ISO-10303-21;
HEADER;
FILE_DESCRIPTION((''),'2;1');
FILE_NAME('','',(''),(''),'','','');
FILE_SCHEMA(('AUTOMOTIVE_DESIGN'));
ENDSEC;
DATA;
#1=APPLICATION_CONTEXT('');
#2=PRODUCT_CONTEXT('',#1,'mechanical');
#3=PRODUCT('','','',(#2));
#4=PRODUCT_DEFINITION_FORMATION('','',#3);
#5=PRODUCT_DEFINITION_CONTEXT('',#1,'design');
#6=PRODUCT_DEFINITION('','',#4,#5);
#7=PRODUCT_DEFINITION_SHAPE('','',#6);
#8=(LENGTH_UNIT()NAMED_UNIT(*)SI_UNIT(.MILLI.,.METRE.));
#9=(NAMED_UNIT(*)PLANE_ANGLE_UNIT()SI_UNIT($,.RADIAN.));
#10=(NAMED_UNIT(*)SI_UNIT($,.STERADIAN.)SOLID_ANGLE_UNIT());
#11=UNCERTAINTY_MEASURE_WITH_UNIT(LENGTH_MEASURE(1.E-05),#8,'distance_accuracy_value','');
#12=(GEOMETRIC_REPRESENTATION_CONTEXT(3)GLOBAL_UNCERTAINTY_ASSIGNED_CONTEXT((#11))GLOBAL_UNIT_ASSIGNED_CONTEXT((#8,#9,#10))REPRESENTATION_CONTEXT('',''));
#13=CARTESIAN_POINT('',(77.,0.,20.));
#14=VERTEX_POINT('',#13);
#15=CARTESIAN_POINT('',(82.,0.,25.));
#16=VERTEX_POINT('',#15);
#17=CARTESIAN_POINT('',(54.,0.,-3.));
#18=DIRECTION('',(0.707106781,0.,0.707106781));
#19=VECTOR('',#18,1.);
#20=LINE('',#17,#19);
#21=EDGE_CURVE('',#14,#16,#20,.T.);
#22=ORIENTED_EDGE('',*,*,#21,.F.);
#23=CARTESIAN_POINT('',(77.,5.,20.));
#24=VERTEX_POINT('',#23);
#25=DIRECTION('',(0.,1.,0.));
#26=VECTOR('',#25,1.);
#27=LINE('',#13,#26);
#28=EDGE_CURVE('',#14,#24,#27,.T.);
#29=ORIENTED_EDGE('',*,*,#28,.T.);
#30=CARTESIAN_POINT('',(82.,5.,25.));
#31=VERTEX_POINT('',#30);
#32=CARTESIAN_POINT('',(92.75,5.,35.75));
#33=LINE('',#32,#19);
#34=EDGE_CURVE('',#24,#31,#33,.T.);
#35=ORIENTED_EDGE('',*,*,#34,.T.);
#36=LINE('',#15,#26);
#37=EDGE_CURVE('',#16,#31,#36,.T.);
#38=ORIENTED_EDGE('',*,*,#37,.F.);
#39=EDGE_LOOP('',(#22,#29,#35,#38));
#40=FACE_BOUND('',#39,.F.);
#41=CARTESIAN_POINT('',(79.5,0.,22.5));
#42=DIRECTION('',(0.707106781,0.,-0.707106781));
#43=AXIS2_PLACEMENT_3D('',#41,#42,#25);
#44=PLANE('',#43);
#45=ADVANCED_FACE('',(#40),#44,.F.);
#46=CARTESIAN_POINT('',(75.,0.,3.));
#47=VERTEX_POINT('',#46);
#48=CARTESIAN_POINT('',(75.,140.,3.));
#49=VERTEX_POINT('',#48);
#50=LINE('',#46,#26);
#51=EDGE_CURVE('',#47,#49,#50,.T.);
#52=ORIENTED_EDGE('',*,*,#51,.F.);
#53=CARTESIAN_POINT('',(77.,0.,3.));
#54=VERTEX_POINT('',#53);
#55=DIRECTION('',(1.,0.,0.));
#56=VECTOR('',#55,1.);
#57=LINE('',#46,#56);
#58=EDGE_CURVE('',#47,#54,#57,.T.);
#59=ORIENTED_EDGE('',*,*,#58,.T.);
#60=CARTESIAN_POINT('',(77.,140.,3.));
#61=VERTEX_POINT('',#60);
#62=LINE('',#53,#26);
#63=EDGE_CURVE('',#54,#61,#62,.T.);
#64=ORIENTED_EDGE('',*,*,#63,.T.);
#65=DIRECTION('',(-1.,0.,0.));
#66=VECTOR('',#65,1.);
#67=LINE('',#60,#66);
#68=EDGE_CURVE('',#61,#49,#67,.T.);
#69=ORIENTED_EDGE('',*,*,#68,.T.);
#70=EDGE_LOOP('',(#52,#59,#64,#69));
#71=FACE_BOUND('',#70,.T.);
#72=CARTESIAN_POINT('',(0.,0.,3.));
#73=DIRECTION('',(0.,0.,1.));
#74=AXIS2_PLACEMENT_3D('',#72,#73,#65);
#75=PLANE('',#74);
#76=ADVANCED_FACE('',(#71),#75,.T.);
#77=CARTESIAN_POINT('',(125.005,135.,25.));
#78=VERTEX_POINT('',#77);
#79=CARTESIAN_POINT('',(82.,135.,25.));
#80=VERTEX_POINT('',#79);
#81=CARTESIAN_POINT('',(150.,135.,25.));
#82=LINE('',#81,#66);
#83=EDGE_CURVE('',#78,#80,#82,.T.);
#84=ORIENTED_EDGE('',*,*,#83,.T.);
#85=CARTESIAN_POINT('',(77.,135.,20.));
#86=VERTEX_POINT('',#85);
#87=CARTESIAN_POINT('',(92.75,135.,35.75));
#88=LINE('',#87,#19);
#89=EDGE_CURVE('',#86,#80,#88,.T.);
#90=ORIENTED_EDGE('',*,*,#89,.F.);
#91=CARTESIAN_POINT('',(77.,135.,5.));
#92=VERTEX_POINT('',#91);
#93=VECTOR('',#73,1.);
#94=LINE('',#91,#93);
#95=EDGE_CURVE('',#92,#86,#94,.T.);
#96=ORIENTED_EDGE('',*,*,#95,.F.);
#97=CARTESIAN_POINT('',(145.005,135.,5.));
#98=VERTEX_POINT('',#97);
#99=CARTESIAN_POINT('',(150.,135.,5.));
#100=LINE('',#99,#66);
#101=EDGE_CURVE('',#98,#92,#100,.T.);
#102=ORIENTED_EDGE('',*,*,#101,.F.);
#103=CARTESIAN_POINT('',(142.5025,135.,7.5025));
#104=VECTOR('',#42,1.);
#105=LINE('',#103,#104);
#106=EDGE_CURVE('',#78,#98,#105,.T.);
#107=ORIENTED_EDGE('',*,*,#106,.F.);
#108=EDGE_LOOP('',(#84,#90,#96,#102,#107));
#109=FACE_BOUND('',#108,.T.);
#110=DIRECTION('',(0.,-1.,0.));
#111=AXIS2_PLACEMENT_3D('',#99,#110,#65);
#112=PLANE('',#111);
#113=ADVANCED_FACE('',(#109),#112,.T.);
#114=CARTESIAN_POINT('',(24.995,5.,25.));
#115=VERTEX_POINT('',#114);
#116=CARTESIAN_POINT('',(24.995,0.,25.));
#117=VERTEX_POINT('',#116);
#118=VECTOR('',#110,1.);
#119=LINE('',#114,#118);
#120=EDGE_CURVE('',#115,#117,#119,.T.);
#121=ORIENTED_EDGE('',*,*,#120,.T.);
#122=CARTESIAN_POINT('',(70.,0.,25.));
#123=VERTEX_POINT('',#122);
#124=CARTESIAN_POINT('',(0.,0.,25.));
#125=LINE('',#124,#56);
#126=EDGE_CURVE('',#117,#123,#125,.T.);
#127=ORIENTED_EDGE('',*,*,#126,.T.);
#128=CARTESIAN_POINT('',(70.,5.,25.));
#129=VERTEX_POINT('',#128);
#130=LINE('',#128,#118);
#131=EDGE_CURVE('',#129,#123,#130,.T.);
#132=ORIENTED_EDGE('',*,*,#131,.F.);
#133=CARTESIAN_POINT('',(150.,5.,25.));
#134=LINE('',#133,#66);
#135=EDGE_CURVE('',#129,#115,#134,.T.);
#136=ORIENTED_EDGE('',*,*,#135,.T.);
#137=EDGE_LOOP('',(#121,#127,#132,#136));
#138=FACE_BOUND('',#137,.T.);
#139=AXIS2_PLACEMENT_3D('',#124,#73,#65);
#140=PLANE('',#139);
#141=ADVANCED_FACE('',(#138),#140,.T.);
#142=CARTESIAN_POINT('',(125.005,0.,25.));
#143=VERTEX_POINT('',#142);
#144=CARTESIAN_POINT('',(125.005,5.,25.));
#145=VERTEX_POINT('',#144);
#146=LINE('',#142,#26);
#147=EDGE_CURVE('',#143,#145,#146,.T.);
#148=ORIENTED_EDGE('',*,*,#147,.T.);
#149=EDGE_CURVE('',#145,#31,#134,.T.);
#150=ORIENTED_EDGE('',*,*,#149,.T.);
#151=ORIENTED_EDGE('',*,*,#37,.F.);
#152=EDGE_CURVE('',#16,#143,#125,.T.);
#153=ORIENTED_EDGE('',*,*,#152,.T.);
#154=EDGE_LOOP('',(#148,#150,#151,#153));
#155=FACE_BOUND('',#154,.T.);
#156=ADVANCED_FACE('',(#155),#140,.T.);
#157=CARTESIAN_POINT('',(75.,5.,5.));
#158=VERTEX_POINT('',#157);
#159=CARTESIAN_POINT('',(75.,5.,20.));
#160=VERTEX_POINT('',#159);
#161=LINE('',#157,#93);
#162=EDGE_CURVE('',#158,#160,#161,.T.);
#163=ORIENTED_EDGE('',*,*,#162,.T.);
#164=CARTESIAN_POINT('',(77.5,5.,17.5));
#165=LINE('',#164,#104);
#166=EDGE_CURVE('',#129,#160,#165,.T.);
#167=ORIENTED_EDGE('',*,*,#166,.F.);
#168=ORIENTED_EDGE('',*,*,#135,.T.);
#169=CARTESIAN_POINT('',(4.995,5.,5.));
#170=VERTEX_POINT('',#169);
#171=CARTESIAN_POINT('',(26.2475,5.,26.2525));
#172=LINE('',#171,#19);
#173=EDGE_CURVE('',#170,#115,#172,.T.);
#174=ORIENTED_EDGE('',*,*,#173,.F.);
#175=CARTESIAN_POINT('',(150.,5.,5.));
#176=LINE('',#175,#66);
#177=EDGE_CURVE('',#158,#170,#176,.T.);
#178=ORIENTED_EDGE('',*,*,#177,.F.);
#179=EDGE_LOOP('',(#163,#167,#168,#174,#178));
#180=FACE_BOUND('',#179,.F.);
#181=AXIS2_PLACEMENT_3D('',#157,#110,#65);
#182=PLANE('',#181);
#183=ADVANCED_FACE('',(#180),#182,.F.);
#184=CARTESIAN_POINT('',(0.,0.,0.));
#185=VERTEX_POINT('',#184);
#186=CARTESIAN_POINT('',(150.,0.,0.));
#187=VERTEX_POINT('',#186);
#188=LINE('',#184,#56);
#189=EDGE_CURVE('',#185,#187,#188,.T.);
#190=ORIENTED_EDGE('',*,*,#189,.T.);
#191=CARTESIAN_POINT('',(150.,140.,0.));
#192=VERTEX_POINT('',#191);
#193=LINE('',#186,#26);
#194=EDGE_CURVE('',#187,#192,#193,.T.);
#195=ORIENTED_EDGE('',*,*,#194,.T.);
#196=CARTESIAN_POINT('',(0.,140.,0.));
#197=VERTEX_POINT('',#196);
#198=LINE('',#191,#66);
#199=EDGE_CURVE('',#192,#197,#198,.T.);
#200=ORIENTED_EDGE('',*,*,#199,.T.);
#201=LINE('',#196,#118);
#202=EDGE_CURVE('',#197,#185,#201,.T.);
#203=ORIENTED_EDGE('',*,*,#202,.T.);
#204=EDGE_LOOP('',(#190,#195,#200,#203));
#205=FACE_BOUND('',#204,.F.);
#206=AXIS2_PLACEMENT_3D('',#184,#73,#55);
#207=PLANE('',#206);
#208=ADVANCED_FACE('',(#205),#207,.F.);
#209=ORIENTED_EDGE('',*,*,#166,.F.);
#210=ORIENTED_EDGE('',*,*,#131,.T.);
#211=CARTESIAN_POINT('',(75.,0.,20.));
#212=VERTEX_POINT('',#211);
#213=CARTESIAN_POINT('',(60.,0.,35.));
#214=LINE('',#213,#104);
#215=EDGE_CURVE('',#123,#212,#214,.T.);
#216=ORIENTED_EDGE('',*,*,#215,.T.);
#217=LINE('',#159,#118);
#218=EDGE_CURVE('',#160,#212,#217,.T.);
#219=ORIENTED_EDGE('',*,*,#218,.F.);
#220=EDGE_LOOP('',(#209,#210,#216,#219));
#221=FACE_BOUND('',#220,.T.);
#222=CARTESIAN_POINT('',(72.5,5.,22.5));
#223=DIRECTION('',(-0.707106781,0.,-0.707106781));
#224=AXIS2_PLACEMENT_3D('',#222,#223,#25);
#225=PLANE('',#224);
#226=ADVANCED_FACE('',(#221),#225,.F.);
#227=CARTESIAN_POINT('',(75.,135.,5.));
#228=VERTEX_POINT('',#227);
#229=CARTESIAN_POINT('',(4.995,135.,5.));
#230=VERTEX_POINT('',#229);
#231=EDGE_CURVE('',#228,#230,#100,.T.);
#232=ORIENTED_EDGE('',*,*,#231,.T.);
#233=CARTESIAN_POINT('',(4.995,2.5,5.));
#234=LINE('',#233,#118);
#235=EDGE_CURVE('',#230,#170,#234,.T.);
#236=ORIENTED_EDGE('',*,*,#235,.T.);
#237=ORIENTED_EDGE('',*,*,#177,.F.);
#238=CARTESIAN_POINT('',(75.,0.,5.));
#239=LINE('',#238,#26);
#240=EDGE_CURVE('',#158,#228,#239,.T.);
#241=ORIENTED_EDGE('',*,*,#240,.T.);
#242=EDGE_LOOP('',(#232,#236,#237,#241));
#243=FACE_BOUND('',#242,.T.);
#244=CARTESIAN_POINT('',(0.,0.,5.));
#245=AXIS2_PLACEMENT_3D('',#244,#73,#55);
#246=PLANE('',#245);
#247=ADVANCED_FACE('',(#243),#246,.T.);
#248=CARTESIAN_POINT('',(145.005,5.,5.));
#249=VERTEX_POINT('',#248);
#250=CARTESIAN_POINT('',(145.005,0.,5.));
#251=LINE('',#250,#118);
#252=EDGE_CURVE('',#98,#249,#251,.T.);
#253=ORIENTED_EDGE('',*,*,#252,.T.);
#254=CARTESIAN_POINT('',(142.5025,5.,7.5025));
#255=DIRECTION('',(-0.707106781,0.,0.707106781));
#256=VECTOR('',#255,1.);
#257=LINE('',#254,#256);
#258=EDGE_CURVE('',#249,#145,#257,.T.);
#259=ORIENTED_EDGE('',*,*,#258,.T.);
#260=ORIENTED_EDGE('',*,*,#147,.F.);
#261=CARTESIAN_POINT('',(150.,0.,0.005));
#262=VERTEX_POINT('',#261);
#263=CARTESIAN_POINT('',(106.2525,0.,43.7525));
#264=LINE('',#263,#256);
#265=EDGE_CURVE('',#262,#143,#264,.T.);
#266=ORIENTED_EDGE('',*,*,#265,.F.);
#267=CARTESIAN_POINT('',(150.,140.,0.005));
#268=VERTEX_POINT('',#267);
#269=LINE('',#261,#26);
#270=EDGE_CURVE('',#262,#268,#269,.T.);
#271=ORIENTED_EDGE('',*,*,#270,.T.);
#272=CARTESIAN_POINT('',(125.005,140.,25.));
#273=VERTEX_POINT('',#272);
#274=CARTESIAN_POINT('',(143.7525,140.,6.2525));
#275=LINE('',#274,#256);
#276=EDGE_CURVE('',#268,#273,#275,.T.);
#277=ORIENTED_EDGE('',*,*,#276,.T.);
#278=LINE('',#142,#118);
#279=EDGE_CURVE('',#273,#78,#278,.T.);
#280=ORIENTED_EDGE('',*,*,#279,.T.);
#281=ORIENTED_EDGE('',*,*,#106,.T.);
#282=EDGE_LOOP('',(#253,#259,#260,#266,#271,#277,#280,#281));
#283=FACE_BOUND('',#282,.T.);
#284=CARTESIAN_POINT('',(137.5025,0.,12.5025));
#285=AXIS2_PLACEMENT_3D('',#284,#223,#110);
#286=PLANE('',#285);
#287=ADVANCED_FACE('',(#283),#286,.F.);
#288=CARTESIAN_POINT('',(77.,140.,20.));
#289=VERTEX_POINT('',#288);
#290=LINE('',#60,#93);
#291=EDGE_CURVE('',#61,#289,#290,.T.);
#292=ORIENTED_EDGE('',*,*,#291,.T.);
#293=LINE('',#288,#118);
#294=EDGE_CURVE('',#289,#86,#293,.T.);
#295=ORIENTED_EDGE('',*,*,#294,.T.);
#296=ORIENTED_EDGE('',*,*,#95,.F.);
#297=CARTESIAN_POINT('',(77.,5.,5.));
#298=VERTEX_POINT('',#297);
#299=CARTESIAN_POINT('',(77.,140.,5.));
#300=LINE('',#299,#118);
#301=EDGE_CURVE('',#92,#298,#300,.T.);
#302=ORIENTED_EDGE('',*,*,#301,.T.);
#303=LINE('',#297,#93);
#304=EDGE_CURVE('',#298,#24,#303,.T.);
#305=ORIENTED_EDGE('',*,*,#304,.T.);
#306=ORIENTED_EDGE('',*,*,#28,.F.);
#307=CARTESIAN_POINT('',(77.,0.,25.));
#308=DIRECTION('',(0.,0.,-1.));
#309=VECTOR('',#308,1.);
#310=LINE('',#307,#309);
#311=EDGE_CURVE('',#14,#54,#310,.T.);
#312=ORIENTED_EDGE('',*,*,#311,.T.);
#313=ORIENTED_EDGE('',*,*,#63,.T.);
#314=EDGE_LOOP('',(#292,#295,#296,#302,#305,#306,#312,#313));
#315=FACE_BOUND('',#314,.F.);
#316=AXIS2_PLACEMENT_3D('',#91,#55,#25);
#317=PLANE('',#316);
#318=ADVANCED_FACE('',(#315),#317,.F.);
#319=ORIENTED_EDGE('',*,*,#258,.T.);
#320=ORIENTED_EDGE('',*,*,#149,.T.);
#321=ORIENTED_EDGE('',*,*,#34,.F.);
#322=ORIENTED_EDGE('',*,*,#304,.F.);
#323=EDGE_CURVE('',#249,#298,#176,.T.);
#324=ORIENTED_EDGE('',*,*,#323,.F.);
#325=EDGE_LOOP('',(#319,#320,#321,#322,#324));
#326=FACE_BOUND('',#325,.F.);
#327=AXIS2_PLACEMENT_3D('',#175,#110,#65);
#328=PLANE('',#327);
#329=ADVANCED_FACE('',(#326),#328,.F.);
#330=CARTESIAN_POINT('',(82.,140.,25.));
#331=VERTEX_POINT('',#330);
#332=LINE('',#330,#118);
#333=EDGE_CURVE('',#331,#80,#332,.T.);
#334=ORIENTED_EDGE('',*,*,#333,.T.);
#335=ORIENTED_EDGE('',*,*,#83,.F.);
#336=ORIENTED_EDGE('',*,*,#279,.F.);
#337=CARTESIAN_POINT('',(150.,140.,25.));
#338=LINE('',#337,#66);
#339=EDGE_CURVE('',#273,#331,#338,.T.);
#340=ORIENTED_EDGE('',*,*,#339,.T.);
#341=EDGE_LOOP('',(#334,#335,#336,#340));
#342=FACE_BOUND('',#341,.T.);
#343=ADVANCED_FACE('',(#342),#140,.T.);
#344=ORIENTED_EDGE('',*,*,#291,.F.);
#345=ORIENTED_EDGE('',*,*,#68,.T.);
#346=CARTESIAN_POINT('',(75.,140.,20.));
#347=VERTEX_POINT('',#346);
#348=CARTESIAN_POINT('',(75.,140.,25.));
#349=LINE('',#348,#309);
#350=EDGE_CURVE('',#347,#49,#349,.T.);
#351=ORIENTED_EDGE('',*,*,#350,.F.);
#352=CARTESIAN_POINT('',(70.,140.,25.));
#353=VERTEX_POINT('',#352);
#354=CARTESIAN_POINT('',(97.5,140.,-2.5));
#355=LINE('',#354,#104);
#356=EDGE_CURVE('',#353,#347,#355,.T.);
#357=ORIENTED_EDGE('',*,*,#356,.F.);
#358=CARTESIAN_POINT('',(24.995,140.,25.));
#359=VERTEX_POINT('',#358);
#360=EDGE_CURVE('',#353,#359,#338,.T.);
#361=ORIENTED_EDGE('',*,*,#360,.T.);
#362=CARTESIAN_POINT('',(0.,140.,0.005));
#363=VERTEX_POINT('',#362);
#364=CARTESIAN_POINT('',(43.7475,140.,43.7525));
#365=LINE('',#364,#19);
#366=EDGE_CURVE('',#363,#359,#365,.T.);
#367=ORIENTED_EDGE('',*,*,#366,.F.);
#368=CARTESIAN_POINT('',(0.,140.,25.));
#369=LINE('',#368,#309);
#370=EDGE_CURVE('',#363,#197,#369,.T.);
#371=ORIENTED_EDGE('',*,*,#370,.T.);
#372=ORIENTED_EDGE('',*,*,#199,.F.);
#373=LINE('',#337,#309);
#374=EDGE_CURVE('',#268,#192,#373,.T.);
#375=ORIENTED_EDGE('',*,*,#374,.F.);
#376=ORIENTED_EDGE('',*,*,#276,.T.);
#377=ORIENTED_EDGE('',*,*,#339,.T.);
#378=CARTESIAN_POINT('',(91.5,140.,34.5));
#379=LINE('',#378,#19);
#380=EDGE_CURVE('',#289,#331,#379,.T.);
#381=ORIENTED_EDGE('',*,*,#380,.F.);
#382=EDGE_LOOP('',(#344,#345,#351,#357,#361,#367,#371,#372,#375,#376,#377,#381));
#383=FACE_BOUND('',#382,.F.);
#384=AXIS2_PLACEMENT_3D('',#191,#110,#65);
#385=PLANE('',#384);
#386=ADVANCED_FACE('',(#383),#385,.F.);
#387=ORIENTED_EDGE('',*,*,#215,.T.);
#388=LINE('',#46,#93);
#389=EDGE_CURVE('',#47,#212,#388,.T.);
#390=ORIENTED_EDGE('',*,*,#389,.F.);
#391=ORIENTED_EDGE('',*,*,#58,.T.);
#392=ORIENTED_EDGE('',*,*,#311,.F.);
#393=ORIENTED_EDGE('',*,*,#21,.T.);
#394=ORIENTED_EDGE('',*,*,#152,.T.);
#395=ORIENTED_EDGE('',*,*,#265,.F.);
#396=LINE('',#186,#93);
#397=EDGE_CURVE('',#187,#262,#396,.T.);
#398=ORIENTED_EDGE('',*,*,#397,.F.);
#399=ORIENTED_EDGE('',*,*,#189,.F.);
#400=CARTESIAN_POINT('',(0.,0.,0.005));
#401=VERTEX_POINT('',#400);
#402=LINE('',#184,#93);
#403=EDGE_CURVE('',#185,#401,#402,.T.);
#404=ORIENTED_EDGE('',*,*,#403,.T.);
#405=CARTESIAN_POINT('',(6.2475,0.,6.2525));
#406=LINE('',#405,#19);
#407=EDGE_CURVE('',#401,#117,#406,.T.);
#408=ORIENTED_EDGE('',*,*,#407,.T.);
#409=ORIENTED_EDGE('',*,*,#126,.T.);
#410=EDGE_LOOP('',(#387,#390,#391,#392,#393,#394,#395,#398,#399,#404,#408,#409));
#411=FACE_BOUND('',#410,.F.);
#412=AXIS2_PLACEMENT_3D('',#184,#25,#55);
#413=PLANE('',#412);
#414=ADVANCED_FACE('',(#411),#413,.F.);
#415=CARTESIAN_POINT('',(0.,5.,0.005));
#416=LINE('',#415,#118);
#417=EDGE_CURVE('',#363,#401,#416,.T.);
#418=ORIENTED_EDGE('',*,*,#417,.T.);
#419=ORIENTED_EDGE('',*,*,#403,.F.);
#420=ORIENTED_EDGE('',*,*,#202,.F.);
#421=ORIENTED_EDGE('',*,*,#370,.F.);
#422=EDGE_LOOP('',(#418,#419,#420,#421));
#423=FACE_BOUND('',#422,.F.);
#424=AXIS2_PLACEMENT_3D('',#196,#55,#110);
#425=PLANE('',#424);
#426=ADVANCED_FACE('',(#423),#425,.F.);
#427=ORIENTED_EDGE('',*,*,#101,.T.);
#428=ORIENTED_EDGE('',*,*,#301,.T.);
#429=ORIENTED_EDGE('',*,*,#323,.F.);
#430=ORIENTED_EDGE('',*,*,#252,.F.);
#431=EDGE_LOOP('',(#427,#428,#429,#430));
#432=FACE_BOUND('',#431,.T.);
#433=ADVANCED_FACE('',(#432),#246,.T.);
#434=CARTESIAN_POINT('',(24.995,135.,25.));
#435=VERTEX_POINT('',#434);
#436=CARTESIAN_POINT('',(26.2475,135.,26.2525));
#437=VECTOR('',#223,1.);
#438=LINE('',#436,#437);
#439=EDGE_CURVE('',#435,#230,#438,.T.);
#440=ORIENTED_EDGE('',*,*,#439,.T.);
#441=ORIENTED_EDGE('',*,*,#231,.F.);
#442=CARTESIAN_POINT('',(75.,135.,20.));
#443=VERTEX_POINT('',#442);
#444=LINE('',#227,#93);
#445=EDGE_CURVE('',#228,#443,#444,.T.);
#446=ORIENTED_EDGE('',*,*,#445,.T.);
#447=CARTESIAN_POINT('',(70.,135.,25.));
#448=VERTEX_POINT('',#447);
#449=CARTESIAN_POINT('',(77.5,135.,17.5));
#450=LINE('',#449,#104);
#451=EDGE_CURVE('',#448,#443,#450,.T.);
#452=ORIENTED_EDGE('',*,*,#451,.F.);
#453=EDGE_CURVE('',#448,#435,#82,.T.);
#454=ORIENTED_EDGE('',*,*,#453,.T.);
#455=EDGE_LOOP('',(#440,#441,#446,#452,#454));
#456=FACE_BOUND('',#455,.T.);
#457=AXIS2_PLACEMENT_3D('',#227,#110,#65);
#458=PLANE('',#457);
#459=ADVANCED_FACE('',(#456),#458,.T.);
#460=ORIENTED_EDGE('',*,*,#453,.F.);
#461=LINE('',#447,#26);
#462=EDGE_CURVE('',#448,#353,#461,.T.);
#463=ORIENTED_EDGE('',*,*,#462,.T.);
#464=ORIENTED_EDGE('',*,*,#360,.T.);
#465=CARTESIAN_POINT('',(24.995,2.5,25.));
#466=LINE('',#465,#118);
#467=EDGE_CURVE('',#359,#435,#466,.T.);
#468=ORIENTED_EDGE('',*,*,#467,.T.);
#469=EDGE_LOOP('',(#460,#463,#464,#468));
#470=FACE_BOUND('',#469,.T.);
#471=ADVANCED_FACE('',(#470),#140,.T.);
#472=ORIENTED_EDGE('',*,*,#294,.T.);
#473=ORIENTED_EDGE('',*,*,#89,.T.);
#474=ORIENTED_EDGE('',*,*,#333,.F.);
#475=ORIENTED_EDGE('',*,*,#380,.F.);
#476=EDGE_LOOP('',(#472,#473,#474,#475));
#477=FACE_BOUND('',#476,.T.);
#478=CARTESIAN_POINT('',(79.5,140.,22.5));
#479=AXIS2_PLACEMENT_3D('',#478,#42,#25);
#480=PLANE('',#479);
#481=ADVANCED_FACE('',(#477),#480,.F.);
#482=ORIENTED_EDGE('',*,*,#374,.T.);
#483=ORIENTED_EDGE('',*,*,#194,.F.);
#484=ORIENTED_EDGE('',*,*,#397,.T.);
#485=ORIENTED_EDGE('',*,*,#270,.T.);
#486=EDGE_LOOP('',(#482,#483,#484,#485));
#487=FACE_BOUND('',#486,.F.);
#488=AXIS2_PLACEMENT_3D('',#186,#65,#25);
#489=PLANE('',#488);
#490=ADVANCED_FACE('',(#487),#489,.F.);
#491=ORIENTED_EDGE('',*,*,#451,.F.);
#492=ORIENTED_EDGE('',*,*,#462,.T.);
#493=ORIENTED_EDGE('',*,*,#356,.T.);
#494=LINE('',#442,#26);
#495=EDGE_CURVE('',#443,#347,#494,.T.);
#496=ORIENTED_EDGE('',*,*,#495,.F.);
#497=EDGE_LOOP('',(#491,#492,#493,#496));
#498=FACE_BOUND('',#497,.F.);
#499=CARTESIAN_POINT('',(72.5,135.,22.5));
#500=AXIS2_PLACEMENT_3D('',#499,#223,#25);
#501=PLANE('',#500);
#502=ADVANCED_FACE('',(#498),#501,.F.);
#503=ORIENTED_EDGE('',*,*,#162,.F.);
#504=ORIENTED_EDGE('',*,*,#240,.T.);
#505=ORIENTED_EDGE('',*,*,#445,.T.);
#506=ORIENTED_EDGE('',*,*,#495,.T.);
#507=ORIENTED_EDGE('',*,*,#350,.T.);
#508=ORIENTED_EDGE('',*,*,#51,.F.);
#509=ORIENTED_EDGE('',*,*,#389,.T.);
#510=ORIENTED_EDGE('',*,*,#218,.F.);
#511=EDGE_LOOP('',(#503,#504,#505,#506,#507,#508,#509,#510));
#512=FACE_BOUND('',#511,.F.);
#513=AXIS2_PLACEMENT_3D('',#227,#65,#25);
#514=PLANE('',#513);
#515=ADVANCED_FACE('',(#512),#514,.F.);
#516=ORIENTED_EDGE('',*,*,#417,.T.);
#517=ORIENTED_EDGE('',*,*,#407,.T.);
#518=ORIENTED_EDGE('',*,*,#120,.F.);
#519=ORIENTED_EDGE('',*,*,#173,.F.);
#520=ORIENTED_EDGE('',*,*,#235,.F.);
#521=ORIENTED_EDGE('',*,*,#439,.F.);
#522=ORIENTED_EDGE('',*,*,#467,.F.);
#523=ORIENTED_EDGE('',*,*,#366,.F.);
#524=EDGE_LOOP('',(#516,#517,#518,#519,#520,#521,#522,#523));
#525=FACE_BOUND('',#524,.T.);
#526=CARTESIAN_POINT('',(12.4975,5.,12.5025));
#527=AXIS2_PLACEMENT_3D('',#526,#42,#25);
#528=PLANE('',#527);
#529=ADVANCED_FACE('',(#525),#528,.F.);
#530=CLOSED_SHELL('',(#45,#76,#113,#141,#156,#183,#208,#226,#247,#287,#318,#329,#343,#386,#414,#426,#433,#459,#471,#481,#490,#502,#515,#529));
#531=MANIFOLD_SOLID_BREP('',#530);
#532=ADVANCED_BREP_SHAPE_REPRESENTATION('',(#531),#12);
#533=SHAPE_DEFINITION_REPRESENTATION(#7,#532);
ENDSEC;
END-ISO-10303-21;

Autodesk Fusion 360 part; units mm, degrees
sketch "Sketch1" plane through (0, 0, 0) normal (0, 0, 1) x (1, 0, 0)
  line L0 (0, 0) -> (150, 0)
  line L1 (150, 0) -> (150, 140)
  line L2 (150, 140) -> (0, 140)
  line L3 (0, 140) -> (0, 0)
  dimension "d1" = 150
  dimension "d2" = 140
extrude "Extrude1" add sketch "Sketch1" along normal blind 5
sketch "Sketch2" plane through (0, 0, 5) normal (0, 0, 1) x (-1, 0, 0)
  line L0 (0, -140) -> (0, 0)
  line L1 (0, 0) -> (-150, 0)
  line L2 (-150, 0) -> (-150, -140)
  line L3 (-150, -140) -> (0, -140)
  line L4 (0, -140) -> (-150, -140)
  line L5 (-150, -140) -> (-150, -135)
  line L6 (-150, -135) -> (0, -135)
  line L7 (0, -135) -> (0, -140)
  line L8 (0, 0) -> (-150, 0)
  line L9 (-150, 0) -> (-150, -5)
  line L10 (-150, -5) -> (0, -5)
  line L11 (0, -5) -> (0, 0)
  line L12 (-75, -140) -> (-77, -140)
  line L13 (-77, -140) -> (-77, -135)
  line L14 (-77, -135) -> (-75, -135)
  line L15 (-75, -135) -> (-75, -140)
  line L16 (-75, 0) -> (-77, 0)
  line L17 (-77, 0) -> (-77, -5)
  line L18 (-77, -5) -> (-75, -5)
  line L19 (-75, -5) -> (-75, 0)
  dimension "d5" = 2
  dimension "d6" = 5
  dimension "d7" = 2
  dimension "d8" = 5
extrude "Extrude2" add sketch "Sketch2" along normal blind 20 contours L0 L3 L4 L6 L7 L15 | L0 L1 L8 L10 L11 L19 | L2 L3 L4 L5 L6 L13 | L1 L2 L8 L9 L10 L17
sketch "Sketch3" plane through (0, 0, 5) normal (0, 0, 1) x (-1, 0, 0)
  line L0 (-77, -5) -> (-150, -5)
  line L1 (-150, -5) -> (-150, -135)
  line L2 (-150, -135) -> (-77, -135)
  line L3 (-77, -135) -> (-77, -140)
  line L4 (-77, -140) -> (-75, -140)
  line L5 (-75, -140) -> (-75, -135)
  line L6 (-75, -135) -> (0, -135)
  line L7 (0, -135) -> (0, -5)
  line L8 (0, -5) -> (-75, -5)
  line L9 (-75, -5) -> (-75, 0)
  line L10 (-75, 0) -> (-77, 0)
  line L11 (-77, 0) -> (-77, -5)
  line L12 (-75, -140) -> (-77, -140)
  line L13 (-77, -140) -> (-77, 0)
  line L14 (-77, 0) -> (-75, 0)
  line L15 (-75, 0) -> (-75, -140)
  dimension "d11" = 2
  dimension "d12" = 140
extrude "Extrude3" cut sketch "Sketch3" against normal blind 2 contours L3 L4 L5 L9 L10 L11 L12 L13 L14 L15
chamfer "Chamfer1" distance 5 angle 45 4 edges at (75, 2.5, 25) (77, 2.5, 25) (75, 137.5, 25) (77, 137.5, 25)
chamfer "Chamfer2" distance 25 angle 45 4 edges at (150, 2.5, 25) (150, 137.5, 25) (0, 2.5, 25) (0, 137.5, 25)
